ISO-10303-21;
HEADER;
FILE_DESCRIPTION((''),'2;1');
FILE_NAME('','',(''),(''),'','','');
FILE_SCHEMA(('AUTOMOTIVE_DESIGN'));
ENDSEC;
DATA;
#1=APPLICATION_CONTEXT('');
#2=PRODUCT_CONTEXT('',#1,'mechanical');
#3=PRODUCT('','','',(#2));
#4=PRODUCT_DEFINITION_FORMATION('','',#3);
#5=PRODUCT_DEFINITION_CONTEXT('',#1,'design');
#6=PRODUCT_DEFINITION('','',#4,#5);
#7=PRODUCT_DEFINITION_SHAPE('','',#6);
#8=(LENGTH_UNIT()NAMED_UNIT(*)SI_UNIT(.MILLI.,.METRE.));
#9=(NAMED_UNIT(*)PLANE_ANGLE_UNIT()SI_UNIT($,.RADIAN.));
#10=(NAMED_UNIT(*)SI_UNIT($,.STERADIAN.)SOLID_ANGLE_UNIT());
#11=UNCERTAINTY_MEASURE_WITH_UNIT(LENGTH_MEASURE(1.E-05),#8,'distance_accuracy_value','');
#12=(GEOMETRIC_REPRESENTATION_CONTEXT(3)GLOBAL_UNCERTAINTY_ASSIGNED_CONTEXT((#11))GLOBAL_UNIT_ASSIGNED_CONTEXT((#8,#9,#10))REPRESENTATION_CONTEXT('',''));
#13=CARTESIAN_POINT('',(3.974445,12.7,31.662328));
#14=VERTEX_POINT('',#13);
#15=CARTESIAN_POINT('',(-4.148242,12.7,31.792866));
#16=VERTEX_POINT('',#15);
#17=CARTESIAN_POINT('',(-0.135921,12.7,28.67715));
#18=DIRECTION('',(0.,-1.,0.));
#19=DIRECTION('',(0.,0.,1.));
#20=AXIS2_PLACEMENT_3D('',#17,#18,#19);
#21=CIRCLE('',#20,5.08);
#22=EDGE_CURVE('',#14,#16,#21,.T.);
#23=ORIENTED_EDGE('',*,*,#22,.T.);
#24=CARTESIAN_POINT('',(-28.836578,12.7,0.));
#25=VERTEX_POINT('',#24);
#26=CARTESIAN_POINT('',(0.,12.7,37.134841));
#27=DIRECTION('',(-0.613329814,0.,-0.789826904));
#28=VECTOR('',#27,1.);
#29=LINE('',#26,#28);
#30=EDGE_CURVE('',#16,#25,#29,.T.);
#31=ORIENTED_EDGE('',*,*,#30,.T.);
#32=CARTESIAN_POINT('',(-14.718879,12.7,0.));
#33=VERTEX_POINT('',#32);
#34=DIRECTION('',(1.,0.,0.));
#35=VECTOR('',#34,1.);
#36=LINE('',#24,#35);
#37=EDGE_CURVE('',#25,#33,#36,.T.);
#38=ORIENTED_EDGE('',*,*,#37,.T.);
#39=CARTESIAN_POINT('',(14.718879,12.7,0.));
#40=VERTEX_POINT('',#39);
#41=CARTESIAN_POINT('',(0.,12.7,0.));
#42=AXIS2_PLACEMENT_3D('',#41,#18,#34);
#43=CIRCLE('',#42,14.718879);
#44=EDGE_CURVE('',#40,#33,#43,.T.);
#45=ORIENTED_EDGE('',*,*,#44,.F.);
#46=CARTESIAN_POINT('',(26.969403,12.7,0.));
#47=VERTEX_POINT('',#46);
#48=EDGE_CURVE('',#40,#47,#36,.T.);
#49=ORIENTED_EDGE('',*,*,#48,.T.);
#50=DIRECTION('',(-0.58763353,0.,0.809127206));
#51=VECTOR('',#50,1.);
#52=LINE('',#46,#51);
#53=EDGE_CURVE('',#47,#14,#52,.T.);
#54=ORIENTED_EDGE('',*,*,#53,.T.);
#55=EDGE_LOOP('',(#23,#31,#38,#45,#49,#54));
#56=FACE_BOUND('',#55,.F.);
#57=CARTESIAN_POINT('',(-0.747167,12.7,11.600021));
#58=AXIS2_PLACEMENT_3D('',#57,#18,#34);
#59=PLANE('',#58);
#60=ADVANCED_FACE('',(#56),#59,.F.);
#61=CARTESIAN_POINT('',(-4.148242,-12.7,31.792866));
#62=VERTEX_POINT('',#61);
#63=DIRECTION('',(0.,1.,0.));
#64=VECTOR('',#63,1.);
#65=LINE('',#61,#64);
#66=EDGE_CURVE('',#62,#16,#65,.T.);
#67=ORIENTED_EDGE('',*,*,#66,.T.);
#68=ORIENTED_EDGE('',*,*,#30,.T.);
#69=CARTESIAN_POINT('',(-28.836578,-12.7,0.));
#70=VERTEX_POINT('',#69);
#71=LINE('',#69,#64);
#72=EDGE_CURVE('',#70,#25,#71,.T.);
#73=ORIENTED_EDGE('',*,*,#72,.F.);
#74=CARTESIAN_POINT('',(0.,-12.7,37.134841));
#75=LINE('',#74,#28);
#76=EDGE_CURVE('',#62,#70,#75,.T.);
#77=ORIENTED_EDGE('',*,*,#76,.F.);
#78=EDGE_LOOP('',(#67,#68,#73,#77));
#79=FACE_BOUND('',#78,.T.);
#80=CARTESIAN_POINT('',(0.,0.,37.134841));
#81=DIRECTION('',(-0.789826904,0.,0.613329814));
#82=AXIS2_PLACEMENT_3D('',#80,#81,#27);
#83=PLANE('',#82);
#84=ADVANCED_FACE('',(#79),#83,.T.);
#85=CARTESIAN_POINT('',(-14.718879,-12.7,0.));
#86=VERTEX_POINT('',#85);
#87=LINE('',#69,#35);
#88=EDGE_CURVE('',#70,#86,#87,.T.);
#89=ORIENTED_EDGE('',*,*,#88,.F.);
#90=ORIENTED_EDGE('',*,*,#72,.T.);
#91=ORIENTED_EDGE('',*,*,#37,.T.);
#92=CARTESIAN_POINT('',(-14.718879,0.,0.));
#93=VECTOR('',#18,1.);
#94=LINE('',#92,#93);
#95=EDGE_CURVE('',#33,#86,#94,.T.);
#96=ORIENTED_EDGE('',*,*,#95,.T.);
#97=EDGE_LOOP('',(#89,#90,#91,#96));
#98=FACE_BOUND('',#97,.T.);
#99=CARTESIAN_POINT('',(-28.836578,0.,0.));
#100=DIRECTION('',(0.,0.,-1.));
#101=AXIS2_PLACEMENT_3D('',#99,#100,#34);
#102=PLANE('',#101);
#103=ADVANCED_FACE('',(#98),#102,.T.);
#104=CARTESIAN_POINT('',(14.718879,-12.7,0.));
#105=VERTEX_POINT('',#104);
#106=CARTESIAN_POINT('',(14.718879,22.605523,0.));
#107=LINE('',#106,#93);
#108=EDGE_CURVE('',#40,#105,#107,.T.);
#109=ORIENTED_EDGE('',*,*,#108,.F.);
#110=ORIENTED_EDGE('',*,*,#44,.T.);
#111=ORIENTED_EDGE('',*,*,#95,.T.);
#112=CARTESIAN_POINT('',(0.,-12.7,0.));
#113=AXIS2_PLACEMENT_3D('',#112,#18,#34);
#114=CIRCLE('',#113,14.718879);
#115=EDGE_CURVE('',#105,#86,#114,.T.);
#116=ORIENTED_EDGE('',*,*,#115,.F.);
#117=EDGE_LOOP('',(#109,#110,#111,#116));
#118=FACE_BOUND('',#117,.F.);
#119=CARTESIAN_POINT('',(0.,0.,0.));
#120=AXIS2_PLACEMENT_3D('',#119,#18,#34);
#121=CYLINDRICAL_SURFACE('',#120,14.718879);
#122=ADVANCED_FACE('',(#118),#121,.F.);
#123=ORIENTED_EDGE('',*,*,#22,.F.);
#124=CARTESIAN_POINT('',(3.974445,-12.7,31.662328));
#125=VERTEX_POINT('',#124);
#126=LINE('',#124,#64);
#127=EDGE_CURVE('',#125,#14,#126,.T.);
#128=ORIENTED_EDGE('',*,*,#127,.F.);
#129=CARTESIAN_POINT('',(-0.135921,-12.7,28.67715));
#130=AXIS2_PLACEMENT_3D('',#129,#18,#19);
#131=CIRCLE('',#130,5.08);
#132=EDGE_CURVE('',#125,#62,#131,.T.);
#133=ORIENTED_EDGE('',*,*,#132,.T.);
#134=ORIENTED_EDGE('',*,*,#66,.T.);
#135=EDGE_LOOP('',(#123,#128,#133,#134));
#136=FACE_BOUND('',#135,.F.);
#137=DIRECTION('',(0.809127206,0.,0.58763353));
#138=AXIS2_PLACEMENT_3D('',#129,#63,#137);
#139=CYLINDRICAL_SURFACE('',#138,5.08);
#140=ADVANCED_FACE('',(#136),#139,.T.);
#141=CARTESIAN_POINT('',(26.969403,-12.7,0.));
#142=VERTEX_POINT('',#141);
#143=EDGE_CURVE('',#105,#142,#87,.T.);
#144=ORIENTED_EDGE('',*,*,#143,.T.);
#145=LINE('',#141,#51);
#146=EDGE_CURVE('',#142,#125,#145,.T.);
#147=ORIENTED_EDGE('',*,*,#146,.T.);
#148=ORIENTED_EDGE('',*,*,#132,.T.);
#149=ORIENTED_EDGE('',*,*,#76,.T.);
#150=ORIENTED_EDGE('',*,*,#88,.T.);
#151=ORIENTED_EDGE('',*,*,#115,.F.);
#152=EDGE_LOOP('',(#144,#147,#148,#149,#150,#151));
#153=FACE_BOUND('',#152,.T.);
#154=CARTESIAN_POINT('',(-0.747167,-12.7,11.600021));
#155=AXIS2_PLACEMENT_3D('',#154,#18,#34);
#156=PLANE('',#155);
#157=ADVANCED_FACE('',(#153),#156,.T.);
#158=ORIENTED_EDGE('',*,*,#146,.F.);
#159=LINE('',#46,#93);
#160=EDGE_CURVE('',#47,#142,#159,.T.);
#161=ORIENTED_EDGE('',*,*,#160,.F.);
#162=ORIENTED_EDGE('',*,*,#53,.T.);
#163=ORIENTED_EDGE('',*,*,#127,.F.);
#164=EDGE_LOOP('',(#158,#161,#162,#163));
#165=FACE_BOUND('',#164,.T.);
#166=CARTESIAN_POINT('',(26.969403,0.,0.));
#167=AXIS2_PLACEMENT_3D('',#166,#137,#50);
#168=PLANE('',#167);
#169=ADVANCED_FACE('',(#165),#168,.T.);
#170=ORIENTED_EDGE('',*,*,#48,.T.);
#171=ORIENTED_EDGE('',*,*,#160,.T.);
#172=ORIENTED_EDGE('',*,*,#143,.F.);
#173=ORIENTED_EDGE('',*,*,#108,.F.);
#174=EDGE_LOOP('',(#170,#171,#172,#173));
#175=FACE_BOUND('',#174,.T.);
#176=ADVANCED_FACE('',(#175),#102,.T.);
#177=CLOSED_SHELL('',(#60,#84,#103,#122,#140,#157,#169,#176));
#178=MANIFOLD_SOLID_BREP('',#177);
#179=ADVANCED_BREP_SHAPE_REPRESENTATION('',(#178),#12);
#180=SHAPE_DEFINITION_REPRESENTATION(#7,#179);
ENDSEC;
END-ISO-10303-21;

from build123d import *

# Parameters (mm, degrees)
F1_DEPTH = 12.7
F2_R     = 14.718879
F3_DEPTH = 22.605523
F4_R     = 5.08


with BuildPart() as f1:
    # F0 (on Front) → F1 (new body, symmetric)
    with BuildSketch(Plane.XZ):
        Polygon((-28.836578, 0), (0, 0), (26.969403, 0), (0, 37.134841), align=None)
    extrude(amount=F1_DEPTH, both=True)

    # F2 (on Front) → F3 (cut, symmetric)
    with BuildSketch(Plane.XZ):
        Circle(F2_R)
    extrude(amount=F3_DEPTH, both=True, mode=Mode.SUBTRACT)

    # F4
    f4_edges = [f1.edges().sort_by_distance(p)[0] for p in [
        (0, 0, 37.134841),
    ]]
    fillet(f4_edges, radius=F4_R)


solid = f1.part
